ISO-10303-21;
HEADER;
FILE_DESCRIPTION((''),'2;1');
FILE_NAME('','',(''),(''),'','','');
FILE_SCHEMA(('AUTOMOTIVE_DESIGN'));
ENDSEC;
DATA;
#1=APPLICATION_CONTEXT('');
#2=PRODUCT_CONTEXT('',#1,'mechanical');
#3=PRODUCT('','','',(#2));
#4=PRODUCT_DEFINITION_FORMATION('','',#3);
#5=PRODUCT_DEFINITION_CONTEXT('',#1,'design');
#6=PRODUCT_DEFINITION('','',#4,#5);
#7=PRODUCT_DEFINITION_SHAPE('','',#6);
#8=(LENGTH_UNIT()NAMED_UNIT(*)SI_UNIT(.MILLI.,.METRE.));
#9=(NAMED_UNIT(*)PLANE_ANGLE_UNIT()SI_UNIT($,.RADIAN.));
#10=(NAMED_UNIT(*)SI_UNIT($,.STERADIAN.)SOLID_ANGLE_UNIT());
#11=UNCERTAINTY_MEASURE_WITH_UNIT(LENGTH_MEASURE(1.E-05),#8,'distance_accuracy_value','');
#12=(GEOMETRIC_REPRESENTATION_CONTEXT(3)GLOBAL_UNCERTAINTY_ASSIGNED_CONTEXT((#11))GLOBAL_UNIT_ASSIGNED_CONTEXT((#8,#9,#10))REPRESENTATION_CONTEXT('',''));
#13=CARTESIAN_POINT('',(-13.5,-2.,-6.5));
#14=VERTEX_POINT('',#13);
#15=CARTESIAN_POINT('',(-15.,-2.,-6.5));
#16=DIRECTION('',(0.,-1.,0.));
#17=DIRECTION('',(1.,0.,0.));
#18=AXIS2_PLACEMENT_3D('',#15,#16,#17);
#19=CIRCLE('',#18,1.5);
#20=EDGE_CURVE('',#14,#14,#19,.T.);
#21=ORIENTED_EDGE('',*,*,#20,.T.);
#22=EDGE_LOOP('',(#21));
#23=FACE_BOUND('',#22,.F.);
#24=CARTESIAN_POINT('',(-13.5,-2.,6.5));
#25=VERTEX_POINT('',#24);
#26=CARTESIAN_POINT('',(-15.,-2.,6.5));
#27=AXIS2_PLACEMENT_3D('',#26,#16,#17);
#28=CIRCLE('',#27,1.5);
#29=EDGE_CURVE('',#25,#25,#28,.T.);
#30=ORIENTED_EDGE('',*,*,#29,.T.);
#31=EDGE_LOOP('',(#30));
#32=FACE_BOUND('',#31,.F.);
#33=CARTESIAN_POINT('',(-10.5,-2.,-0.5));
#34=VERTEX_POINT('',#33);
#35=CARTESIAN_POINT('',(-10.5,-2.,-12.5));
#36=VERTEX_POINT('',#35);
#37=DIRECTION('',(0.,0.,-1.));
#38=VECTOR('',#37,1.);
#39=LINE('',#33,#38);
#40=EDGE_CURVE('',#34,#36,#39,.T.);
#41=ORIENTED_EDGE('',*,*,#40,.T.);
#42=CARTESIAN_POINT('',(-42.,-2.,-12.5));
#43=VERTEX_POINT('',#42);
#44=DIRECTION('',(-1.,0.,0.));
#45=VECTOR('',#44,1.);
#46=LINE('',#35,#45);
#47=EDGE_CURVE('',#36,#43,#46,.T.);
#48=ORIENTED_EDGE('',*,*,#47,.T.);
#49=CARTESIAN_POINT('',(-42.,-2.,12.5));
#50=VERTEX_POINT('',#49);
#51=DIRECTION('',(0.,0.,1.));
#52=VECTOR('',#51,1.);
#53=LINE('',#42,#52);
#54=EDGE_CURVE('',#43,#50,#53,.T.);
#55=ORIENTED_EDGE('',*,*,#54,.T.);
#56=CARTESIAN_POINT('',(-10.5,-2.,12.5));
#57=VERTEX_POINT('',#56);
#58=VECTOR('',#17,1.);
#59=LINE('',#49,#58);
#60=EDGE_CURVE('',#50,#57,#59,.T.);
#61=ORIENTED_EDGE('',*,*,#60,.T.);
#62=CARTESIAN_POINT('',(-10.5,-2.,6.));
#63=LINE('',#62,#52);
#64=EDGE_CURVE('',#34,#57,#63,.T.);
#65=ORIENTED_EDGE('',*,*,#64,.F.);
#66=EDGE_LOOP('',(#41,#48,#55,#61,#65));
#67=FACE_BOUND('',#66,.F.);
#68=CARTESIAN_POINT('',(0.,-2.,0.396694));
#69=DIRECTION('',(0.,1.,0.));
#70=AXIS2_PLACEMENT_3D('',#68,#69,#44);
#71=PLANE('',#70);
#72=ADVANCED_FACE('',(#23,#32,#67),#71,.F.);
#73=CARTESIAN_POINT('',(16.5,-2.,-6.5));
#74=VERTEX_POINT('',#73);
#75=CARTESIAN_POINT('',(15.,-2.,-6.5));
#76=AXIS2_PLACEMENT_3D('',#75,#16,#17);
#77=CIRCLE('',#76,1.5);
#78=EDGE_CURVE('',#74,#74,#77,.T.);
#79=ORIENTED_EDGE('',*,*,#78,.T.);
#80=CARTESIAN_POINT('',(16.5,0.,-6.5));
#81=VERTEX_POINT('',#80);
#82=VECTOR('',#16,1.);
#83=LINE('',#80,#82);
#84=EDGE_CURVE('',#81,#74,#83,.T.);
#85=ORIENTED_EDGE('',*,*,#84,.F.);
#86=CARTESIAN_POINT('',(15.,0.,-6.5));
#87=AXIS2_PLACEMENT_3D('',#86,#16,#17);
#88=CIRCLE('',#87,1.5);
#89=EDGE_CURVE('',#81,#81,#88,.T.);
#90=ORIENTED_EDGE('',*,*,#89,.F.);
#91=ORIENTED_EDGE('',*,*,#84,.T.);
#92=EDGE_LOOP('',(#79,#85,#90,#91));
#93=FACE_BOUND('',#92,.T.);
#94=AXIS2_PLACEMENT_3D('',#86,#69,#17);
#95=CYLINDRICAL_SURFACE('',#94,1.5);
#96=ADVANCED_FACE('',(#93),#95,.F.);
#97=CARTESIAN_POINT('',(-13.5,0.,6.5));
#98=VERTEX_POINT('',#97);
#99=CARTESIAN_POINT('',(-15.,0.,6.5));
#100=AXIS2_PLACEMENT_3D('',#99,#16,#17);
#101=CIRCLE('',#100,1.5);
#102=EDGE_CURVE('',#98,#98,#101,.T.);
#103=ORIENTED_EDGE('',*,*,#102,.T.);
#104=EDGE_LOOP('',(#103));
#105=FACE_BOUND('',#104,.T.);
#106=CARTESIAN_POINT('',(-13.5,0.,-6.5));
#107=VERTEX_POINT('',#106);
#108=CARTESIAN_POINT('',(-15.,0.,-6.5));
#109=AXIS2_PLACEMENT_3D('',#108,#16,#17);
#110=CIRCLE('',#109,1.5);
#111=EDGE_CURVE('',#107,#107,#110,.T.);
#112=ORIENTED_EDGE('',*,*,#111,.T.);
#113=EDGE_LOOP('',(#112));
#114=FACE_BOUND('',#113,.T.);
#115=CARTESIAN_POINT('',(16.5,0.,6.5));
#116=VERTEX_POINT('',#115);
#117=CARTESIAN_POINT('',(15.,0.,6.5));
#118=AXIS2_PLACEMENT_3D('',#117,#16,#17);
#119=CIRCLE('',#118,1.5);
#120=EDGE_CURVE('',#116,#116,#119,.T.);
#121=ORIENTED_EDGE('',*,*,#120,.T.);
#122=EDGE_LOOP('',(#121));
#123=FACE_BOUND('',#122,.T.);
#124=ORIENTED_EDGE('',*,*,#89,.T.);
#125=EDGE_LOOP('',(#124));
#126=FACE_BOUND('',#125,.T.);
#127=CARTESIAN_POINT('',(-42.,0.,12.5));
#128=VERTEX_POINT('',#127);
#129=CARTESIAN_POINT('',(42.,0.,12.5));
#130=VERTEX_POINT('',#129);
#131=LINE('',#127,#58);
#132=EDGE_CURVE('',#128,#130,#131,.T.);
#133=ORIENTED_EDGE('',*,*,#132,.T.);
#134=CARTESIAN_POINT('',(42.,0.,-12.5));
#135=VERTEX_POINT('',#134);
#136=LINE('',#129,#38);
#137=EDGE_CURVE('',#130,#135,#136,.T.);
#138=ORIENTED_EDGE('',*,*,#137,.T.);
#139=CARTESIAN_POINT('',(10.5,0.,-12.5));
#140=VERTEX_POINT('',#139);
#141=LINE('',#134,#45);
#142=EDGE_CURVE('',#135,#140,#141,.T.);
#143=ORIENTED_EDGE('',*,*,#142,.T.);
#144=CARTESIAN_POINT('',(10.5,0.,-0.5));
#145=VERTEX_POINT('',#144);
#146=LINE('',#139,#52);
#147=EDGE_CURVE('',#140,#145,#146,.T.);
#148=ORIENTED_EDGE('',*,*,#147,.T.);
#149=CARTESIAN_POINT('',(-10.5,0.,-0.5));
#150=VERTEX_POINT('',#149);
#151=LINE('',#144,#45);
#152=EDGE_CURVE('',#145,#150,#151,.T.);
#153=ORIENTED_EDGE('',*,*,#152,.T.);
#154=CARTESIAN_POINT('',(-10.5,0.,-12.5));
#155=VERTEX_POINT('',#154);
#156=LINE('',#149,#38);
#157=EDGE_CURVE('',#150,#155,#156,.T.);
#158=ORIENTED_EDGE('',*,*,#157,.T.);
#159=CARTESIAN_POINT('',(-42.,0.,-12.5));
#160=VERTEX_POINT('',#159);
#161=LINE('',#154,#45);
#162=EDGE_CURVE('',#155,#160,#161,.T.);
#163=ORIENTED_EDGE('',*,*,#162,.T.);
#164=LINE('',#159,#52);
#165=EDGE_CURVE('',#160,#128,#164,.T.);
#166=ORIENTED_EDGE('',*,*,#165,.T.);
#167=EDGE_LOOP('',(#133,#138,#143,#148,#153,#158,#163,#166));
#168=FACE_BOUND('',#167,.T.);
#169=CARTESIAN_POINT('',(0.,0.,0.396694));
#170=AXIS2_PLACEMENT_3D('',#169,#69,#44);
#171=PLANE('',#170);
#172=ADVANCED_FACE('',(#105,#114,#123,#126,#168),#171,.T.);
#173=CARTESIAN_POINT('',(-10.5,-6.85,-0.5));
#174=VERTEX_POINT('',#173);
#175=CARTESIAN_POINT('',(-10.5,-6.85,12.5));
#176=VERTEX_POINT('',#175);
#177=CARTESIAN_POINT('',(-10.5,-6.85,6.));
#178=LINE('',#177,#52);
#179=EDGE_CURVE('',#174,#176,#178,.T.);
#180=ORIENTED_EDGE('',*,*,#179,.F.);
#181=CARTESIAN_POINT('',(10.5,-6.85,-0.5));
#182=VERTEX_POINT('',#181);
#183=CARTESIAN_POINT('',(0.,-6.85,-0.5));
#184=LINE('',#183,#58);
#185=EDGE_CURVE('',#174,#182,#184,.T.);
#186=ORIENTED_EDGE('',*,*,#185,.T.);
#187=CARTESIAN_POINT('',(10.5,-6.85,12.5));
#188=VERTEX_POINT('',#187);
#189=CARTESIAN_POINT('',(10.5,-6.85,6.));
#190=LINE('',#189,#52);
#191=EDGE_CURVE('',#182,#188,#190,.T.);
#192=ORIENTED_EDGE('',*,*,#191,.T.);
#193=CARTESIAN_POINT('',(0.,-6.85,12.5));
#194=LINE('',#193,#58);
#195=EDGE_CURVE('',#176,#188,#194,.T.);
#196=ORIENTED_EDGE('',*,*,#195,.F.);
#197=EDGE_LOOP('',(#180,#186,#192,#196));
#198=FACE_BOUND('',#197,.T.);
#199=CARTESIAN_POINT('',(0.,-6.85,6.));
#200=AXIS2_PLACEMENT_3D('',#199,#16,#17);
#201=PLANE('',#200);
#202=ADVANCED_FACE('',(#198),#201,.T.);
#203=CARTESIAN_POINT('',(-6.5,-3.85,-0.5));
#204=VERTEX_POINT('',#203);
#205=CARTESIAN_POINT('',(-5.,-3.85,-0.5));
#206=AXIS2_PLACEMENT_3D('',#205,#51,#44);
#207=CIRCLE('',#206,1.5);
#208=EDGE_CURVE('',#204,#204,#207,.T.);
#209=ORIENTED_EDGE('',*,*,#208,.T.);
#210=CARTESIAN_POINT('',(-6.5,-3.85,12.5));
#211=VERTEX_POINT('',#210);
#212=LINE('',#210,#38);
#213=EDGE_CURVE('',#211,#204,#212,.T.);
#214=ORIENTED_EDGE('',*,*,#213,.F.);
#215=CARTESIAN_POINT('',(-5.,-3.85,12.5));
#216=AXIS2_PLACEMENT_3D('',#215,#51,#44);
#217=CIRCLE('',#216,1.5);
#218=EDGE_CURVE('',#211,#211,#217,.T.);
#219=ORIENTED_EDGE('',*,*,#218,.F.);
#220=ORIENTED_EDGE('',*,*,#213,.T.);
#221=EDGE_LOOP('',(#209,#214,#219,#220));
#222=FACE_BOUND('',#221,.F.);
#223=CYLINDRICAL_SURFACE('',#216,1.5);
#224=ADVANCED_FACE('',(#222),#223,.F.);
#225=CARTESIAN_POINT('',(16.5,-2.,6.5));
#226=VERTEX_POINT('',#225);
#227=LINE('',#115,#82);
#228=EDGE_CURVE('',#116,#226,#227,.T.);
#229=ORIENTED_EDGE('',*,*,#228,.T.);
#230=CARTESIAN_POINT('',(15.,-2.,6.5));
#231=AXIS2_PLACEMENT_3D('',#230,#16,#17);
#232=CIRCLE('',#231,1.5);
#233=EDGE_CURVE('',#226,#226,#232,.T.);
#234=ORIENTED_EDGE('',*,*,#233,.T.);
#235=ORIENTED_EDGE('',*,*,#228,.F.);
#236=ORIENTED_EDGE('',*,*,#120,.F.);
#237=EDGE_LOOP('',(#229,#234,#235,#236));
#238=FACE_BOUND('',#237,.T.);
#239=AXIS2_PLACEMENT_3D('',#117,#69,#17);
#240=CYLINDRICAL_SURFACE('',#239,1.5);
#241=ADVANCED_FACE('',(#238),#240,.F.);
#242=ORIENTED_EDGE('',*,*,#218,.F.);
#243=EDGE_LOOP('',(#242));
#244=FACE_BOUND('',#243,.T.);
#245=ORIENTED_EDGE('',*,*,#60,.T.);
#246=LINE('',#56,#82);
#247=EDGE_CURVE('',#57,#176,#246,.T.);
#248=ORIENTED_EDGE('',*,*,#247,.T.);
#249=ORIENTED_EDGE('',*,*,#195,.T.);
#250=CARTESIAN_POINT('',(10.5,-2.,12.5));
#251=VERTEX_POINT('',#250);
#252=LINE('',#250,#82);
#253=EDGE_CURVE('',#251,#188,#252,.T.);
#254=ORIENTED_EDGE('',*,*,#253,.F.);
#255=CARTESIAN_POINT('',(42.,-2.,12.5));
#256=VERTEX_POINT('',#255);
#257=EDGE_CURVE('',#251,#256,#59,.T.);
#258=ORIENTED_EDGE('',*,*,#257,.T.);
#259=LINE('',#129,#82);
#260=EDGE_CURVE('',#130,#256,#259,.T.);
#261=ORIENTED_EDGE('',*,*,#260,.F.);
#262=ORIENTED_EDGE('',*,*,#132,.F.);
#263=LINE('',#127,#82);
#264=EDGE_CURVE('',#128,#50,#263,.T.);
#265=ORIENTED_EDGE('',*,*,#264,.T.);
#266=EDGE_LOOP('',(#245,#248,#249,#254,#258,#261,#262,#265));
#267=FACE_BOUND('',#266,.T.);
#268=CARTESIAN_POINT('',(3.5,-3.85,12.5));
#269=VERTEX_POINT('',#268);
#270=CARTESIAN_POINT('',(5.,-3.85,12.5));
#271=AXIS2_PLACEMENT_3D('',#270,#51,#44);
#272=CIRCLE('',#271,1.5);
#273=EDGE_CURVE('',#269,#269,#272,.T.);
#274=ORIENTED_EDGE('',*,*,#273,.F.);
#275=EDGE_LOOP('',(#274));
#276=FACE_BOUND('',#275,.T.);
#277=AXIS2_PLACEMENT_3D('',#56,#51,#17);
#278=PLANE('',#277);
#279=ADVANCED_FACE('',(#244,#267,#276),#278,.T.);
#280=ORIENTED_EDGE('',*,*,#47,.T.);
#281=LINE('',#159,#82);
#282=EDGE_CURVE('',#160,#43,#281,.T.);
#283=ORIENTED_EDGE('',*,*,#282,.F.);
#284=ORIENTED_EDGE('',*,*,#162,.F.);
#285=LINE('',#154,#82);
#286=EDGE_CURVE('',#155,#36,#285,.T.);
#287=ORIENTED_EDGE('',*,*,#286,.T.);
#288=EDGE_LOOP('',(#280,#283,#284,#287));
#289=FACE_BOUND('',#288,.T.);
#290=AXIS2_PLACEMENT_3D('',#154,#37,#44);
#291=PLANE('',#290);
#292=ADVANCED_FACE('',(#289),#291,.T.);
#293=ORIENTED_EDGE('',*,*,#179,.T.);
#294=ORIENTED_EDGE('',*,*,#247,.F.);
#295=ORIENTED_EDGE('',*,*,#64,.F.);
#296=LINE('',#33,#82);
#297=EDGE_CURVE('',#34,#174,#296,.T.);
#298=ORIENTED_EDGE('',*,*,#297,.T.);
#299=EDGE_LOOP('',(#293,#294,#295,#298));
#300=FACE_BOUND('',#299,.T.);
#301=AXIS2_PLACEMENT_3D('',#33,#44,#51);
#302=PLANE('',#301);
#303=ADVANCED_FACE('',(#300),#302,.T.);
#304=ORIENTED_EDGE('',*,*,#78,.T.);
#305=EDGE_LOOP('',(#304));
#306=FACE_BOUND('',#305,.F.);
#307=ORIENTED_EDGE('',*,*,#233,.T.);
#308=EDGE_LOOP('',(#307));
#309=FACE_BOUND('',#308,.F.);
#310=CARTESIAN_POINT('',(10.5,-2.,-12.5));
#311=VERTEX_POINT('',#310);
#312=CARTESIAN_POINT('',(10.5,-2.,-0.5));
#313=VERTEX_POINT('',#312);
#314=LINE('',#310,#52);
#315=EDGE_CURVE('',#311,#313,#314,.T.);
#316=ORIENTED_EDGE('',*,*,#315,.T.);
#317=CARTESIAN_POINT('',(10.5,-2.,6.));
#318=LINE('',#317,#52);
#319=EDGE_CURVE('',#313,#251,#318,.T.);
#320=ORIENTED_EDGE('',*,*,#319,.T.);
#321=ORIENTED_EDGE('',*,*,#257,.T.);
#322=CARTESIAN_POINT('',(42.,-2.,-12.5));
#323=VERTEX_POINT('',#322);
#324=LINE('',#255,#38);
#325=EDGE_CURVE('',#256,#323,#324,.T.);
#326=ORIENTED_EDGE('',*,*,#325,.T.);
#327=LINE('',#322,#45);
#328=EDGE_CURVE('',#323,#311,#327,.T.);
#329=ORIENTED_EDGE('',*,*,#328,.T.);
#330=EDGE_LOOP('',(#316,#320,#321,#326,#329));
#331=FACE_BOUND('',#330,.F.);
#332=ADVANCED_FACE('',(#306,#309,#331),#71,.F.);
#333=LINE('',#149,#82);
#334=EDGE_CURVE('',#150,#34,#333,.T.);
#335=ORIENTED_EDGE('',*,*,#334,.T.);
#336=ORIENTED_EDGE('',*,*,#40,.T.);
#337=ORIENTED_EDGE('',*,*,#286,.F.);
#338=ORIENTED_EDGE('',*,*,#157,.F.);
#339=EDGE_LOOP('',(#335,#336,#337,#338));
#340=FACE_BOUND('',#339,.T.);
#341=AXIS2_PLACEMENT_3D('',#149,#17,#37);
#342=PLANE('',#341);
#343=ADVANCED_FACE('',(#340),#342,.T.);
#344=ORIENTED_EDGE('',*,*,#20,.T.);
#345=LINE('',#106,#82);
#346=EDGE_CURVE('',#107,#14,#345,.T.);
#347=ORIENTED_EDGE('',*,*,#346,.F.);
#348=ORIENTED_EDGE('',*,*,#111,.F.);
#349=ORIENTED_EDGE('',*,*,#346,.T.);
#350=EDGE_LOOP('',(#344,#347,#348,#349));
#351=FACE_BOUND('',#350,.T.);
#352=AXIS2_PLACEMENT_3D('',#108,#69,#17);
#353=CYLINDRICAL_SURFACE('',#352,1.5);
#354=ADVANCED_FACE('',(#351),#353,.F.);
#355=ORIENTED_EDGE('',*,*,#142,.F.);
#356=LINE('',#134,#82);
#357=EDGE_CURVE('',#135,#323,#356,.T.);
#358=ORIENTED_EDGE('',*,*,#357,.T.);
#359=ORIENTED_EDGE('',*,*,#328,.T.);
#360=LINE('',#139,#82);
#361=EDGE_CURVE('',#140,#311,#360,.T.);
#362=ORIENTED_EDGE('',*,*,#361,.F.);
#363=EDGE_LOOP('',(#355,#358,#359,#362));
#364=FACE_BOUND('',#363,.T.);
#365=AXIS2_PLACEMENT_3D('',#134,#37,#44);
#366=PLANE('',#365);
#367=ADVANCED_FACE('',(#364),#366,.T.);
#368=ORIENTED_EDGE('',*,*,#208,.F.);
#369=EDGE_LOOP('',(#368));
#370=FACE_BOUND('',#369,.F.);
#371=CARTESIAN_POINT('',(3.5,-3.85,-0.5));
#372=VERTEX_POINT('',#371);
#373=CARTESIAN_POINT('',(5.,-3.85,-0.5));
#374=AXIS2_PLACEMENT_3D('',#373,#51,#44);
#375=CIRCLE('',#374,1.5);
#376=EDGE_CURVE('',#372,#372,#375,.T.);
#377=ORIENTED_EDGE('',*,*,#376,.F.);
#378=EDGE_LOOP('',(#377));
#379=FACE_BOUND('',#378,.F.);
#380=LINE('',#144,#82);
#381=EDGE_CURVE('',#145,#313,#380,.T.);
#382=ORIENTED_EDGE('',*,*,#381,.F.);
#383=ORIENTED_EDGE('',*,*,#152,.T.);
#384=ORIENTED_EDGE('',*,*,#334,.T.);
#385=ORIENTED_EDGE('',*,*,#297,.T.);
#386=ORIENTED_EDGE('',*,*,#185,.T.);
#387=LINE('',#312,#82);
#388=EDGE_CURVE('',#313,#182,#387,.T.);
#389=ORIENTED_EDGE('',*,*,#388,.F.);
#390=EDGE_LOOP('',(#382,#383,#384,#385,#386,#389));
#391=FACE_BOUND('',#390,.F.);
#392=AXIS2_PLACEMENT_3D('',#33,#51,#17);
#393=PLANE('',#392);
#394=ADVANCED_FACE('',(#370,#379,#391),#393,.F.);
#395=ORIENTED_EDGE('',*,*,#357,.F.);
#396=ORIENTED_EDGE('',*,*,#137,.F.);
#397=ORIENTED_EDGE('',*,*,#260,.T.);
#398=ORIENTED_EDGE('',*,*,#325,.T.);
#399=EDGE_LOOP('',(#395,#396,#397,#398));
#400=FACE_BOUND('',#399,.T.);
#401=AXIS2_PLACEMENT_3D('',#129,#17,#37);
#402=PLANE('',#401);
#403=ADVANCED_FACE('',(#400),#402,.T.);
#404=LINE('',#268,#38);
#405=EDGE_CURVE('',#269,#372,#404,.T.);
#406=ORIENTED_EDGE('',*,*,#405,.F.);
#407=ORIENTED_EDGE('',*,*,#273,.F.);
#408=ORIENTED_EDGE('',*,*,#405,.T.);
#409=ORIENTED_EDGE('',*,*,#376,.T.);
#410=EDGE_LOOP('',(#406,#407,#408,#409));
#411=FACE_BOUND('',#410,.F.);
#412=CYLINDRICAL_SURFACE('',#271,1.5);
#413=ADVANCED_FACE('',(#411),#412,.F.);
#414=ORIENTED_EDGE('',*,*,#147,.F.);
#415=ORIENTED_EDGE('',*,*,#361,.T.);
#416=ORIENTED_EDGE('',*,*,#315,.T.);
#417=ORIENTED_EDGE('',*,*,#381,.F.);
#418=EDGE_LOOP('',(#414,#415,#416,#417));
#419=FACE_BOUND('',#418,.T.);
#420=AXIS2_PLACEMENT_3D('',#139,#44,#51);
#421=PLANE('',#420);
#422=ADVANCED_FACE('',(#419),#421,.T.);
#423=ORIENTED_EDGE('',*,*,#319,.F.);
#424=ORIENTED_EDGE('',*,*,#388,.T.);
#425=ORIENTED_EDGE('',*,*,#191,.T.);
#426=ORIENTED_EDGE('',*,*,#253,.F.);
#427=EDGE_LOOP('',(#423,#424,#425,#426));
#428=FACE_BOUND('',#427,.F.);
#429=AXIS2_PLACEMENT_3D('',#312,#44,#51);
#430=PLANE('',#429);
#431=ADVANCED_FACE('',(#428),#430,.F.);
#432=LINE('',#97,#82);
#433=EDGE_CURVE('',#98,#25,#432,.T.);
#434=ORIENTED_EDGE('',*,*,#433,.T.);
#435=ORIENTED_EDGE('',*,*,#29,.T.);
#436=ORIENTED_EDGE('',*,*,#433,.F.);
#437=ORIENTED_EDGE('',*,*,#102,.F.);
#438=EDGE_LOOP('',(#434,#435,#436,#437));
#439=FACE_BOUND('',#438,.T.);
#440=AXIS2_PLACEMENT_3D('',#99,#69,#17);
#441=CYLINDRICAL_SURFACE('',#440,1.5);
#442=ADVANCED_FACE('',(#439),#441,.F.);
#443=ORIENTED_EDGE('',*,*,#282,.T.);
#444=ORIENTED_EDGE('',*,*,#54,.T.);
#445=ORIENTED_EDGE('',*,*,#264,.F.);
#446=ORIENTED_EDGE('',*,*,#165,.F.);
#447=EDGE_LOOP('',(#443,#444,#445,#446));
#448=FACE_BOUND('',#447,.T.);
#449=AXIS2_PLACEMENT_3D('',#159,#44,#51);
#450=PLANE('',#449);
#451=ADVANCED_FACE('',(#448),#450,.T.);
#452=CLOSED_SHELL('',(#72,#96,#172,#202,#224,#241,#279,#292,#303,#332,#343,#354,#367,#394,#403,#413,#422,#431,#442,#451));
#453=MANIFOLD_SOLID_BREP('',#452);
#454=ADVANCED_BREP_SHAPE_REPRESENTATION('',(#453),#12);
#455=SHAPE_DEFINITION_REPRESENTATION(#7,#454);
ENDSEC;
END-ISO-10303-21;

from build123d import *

# Parameters (mm, degrees)
SKETCH_R     = 1.5
PAD_DEPTH    = 2
SKETCH001_W  = 21
SKETCH001_H  = 13
PAD001_DEPTH = 4.85
SKETCH002_R  = 1.5
POCKET_DEPTH = 21


with BuildPart() as part:
    # Sketch → Pad (new body)
    with BuildSketch(Plane.XZ):
        Polygon((-42, 12.5), (42, 12.5), (42, -12.5), (10.5, -12.5), (10.5, -0.5), (-10.5, -0.5), (-10.5, -12.5), (-42, -12.5), align=None)
        with Locations((-15, 6.5)):
            Circle(SKETCH_R, mode=Mode.SUBTRACT)
        with Locations((-15, -6.5)):
            Circle(SKETCH_R, mode=Mode.SUBTRACT)
        with Locations((15, -6.5)):
            Circle(SKETCH_R, mode=Mode.SUBTRACT)
        with Locations((15, 6.5)):
            Circle(SKETCH_R, mode=Mode.SUBTRACT)
    extrude(amount=PAD_DEPTH)

    # Sketch001 (on Face14 of Pad) → Pad001 (join)
    with BuildSketch(Plane.XZ.offset(2)):
        with Locations((0, 6)):
            Rectangle(SKETCH001_W, SKETCH001_H)
    extrude(amount=PAD001_DEPTH)

    # Sketch002 (on Face6 of Pad001) → Pocket (cut)
    with BuildSketch(Plane(origin=(0, 0, 12.5), x_dir=(-1, 0, 0), z_dir=(0, 0, 1))):
        with Locations((-5, 3.85)):
            Circle(SKETCH002_R)
        with Locations((5, 3.85)):
            Circle(SKETCH002_R)
    extrude(amount=-POCKET_DEPTH, mode=Mode.SUBTRACT)


solid = part.part
